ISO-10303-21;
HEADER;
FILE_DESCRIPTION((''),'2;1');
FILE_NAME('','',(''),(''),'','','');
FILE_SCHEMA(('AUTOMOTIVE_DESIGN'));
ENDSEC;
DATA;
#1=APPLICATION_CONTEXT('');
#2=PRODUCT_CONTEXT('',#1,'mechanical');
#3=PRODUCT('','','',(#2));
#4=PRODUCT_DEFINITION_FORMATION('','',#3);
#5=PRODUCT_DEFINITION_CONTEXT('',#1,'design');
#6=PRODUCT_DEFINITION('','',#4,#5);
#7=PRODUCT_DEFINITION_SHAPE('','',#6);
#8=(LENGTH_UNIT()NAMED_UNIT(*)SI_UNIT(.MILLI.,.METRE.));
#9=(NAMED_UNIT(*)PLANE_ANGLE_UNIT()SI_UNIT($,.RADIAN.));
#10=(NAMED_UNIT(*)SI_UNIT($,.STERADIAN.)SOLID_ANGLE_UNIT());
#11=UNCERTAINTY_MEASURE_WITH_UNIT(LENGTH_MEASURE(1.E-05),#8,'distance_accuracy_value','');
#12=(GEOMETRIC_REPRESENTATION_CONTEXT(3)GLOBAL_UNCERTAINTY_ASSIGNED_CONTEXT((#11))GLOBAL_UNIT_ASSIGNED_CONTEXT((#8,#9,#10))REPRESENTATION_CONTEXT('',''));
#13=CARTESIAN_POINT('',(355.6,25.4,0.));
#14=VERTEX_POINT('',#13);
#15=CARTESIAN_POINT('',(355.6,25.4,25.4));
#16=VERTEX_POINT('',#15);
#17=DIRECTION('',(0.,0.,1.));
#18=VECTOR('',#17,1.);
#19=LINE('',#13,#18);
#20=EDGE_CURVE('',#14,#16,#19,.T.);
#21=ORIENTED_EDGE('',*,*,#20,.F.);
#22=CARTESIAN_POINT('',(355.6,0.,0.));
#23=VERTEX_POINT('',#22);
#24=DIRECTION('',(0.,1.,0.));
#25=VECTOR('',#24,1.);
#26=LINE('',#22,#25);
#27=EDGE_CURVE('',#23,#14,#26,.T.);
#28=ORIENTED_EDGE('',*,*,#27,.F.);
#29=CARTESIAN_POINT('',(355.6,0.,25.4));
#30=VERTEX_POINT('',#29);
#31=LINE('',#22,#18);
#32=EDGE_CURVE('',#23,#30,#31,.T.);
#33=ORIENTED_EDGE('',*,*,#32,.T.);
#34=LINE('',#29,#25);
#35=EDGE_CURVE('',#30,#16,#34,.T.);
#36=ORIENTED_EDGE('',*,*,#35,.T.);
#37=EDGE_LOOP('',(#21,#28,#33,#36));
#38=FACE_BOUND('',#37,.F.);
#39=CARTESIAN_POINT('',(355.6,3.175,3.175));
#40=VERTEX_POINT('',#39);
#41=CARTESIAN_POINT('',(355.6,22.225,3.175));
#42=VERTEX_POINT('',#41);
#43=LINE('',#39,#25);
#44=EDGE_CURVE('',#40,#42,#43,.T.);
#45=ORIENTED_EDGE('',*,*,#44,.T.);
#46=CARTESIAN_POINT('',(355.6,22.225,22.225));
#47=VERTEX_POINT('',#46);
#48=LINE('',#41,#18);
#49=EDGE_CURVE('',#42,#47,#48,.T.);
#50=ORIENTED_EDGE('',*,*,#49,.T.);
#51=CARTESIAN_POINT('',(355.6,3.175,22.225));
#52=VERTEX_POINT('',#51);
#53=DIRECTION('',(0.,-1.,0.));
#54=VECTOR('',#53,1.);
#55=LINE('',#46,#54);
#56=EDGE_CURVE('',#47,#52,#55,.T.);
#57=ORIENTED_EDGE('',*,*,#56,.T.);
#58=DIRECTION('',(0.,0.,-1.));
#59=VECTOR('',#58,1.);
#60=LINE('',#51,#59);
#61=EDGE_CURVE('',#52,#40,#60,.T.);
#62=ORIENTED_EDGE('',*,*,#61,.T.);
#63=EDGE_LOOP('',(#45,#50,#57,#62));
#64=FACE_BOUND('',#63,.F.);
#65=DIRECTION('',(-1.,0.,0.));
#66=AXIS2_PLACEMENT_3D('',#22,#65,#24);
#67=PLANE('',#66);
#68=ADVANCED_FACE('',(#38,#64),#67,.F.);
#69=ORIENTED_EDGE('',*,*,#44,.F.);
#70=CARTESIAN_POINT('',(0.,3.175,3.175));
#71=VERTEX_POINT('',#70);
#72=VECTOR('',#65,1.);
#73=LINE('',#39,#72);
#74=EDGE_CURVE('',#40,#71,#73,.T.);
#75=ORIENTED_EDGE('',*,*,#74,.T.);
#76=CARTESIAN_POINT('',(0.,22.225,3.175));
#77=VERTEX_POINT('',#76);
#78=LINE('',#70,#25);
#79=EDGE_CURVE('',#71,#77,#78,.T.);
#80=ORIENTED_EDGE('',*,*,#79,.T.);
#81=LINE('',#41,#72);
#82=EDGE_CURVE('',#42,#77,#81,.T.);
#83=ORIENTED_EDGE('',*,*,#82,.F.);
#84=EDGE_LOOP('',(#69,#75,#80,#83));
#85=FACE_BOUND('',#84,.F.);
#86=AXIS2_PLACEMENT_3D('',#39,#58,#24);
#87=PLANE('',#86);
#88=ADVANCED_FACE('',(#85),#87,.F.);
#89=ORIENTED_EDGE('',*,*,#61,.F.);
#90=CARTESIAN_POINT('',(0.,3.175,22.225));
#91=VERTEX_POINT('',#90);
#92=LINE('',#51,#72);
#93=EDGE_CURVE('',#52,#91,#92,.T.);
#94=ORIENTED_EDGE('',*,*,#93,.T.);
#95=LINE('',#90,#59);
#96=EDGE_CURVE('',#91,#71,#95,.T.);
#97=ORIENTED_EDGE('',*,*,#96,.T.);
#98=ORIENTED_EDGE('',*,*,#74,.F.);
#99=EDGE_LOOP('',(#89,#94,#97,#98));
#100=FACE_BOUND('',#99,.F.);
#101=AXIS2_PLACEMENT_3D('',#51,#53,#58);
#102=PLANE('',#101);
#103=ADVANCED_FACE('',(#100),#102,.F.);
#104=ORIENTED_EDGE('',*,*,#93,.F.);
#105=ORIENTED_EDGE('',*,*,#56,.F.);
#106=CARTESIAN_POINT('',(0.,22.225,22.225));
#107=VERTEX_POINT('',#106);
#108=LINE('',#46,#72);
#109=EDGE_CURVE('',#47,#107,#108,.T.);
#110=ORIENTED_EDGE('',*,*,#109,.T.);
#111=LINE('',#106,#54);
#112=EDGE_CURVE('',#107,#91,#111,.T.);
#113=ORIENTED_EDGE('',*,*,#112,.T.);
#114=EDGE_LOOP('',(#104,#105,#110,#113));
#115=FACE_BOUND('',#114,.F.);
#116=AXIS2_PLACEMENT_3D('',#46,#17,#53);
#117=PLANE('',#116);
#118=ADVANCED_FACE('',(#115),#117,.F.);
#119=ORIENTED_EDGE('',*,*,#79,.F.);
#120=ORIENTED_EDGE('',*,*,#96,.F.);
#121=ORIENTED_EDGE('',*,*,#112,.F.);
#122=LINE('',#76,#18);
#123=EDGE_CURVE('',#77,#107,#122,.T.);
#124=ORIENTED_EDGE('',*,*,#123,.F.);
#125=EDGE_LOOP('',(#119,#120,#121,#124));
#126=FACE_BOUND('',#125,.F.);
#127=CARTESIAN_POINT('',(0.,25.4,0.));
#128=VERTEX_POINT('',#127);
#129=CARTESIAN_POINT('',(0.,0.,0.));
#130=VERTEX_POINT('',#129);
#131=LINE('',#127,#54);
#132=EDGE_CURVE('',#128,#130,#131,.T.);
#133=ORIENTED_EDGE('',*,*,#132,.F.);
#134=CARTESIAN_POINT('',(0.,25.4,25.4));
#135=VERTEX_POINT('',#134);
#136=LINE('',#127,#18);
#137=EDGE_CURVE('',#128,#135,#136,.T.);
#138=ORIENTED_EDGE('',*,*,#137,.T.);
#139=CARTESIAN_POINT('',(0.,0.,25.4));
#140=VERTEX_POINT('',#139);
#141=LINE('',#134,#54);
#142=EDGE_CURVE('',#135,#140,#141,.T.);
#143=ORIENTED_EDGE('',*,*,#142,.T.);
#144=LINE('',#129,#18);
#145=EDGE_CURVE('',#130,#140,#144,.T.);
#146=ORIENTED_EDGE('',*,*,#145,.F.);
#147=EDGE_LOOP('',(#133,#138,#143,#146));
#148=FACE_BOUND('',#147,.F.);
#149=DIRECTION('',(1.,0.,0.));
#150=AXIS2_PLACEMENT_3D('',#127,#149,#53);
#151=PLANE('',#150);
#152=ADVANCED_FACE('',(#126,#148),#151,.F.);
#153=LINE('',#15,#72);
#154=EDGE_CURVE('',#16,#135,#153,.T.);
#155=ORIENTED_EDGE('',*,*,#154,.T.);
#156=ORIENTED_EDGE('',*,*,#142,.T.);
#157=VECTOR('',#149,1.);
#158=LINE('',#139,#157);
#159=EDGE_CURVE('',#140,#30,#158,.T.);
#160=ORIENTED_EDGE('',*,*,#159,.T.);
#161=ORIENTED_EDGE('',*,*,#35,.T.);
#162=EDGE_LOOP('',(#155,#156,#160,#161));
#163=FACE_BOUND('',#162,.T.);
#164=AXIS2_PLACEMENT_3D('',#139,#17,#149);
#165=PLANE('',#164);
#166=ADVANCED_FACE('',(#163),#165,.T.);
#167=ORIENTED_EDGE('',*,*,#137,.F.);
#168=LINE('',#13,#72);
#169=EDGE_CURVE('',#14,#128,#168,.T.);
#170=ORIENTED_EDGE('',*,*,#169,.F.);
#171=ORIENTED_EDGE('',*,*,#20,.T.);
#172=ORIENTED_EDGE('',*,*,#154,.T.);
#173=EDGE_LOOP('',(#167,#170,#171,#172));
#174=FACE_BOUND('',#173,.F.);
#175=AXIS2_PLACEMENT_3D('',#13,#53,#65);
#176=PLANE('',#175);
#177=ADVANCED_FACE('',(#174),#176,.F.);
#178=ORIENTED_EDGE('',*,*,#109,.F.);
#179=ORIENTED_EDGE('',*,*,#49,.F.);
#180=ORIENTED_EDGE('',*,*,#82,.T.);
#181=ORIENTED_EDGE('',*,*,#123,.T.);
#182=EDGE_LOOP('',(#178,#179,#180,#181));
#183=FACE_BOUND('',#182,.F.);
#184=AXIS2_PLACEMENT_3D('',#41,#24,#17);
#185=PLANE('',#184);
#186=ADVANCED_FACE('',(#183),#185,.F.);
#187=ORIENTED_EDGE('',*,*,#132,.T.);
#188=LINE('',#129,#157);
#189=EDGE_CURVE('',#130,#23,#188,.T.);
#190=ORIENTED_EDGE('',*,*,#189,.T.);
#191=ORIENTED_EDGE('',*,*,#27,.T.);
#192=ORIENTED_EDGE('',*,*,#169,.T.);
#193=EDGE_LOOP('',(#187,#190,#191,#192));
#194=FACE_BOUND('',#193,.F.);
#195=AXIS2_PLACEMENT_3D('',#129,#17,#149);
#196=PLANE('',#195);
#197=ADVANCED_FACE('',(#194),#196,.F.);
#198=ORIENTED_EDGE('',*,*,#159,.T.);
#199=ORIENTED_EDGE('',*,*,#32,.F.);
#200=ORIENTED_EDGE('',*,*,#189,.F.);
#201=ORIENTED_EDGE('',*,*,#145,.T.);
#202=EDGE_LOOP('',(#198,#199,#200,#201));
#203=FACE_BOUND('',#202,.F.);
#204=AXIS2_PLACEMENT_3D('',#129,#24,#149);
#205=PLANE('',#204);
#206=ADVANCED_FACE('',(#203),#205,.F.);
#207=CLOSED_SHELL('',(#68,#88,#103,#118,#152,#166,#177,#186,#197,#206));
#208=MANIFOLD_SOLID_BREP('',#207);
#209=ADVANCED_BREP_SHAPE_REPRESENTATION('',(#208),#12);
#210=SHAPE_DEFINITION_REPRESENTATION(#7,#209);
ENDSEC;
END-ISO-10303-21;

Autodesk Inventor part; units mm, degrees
ref_plane "YZ Plane" through (0, 0, 0) normal (1, 0, 0) x (0, 1, 0)
ref_plane "XZ Plane" through (0, 0, 0) normal (0, 1, 0) x (-1, 0, 0)
ref_plane "XY Plane" through (0, 0, 0) normal (0, 0, 1) x (1, 0, 0)
sketch "Sketch1" plane through (0, 0, 0) normal (0, 0, 1) x (1, 0, 0)
  line L0 (0, 0) -> (355.6, 0)
  line L1 (355.6, 0) -> (355.6, 25.4)
  line L2 (355.6, 25.4) -> (0, 25.4)
  line L3 (0, 25.4) -> (0, 0)
  dimension "d0" = 355.6
  dimension "d1" = 25.4
extrude "Extrusion1" add sketch "Sketch1" along normal blind 25.4
sketch "Sketch2" plane through (355.6, 0, 0) normal (1, 0, 0) x (0, 0, -1)
  line L0 (-22.225, 3.175) -> (-3.175, 3.175)
  line L1 (-3.175, 3.175) -> (-3.175, 22.225)
  line L2 (-3.175, 22.225) -> (-22.225, 22.225)
  line L3 (-22.225, 22.225) -> (-22.225, 3.175)
  line L4 (-22.225, 3.175) -> (-3.175, 22.225) construction
  line L5 (-3.175, 3.175) -> (-22.225, 22.225) construction
  point P0 (-12.7, 12.7)
  dimension "d4" = 19.05
  dimension "d5" = 19.05
extrude "Extrusion2" cut sketch "Sketch2" against normal blind 355.6
properties part number "west coast backfront"
